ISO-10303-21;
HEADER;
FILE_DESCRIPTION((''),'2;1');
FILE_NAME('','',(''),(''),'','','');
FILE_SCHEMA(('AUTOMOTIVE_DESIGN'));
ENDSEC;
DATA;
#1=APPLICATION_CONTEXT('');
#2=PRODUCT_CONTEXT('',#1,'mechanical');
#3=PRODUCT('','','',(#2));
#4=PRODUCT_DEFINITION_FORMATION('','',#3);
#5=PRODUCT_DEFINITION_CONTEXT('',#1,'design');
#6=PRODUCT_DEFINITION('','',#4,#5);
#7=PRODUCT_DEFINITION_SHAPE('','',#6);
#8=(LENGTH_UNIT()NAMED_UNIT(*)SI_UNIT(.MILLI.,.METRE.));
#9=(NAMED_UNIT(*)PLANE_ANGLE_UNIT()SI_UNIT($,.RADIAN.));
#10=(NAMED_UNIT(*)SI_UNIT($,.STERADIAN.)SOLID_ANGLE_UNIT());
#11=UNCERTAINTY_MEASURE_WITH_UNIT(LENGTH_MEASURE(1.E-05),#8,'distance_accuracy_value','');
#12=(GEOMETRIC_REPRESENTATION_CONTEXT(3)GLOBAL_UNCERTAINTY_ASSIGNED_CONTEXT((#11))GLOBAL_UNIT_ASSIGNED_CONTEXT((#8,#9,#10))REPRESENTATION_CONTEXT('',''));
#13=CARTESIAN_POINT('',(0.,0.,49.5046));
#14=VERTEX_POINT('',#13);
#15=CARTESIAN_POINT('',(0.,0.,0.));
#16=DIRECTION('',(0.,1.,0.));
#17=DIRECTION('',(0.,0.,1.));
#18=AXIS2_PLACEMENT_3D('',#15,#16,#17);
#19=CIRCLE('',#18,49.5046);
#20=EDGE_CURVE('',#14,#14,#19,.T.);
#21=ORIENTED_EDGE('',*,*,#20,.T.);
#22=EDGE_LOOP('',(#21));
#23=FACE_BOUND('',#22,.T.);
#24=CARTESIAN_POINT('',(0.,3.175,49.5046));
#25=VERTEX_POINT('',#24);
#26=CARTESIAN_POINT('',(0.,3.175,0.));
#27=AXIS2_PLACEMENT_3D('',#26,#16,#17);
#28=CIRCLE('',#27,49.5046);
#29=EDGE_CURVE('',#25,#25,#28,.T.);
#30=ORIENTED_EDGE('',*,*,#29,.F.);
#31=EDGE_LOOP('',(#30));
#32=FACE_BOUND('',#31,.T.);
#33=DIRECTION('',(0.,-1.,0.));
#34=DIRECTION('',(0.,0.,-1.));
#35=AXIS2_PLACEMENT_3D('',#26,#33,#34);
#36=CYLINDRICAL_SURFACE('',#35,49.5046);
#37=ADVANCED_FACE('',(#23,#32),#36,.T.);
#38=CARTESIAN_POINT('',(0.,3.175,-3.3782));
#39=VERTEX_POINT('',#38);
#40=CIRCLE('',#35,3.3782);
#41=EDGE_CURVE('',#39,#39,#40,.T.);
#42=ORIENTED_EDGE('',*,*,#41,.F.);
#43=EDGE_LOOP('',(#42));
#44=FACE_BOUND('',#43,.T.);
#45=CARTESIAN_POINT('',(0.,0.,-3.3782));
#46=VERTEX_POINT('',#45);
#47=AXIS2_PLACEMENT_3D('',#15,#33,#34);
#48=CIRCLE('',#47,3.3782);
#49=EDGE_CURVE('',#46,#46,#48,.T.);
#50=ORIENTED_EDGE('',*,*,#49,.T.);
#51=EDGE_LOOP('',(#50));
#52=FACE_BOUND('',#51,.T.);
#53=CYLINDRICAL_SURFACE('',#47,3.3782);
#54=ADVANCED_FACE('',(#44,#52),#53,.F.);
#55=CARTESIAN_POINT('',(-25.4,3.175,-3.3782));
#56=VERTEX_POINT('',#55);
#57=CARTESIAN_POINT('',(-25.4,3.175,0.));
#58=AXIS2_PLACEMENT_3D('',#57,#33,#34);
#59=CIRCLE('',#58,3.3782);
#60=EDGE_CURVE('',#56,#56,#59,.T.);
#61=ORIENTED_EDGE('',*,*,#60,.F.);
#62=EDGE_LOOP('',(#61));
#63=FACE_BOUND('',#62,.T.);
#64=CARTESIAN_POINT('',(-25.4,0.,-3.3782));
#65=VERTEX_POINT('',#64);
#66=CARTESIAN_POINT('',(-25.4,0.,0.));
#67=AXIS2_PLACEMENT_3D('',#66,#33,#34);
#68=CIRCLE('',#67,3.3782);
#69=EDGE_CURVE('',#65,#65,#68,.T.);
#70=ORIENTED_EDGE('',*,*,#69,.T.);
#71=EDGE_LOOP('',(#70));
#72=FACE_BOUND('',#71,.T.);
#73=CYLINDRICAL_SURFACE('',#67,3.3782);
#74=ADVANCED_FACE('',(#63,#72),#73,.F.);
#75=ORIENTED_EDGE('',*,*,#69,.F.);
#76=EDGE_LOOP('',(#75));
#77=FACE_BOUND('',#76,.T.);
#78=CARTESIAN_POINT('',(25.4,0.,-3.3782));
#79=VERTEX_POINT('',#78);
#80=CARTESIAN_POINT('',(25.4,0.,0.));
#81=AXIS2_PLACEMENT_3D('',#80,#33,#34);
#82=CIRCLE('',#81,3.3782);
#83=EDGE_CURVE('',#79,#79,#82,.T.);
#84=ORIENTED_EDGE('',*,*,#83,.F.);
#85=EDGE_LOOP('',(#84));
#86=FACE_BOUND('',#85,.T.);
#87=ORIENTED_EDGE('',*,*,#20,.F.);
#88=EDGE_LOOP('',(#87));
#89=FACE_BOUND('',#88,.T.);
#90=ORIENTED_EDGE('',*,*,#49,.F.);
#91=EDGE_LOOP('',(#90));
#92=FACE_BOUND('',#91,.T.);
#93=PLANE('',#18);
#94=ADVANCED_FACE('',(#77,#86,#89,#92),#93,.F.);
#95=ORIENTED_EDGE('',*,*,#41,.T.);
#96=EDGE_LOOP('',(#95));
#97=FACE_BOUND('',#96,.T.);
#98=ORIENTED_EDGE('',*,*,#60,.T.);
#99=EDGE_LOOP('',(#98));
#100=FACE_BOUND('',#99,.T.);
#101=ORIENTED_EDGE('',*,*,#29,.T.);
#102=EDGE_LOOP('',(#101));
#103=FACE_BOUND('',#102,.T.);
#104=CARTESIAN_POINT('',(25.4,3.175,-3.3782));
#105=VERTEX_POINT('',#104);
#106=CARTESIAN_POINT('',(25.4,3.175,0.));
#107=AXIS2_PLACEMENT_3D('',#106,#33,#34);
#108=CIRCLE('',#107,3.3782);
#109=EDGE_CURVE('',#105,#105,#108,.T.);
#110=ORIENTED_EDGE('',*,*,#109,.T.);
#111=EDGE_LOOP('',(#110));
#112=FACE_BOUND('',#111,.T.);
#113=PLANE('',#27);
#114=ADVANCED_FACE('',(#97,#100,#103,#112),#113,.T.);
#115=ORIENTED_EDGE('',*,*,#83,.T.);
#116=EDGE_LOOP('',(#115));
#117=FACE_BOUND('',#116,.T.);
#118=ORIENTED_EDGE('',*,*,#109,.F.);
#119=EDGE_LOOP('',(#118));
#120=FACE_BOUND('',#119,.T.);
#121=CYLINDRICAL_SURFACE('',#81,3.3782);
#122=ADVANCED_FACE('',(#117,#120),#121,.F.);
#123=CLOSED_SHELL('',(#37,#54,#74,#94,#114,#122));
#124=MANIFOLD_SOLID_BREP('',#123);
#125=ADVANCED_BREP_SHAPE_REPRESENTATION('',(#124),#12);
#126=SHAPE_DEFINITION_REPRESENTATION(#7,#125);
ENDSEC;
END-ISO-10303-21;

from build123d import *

# Parameters (mm, degrees)
SKETCH1_R               = 49.5046
BOSS_EXTRUDE1_DEPTH     = 3.175
F_1_4_CLEARANCE_HOLE1_D = 6.7564


with BuildPart() as part:
    # Sketch1 → Boss-Extrude1 (new body)
    with BuildSketch(Plane(origin=(0, 0, 0), x_dir=(1, 0, 0), z_dir=(0, 1, 0))):
        Circle(SKETCH1_R)
    extrude(amount=BOSS_EXTRUDE1_DEPTH)

    # 1/4 Clearance Hole1 (through all)
    with Locations(Plane(origin=(0, 0, 0), x_dir=(-1, 0, 0), z_dir=(0, -1, 0))):
        with Locations((-25.4, 0), (0, 0), (25.4, 0)):
            Hole(F_1_4_CLEARANCE_HOLE1_D / 2)


solid = part.part
